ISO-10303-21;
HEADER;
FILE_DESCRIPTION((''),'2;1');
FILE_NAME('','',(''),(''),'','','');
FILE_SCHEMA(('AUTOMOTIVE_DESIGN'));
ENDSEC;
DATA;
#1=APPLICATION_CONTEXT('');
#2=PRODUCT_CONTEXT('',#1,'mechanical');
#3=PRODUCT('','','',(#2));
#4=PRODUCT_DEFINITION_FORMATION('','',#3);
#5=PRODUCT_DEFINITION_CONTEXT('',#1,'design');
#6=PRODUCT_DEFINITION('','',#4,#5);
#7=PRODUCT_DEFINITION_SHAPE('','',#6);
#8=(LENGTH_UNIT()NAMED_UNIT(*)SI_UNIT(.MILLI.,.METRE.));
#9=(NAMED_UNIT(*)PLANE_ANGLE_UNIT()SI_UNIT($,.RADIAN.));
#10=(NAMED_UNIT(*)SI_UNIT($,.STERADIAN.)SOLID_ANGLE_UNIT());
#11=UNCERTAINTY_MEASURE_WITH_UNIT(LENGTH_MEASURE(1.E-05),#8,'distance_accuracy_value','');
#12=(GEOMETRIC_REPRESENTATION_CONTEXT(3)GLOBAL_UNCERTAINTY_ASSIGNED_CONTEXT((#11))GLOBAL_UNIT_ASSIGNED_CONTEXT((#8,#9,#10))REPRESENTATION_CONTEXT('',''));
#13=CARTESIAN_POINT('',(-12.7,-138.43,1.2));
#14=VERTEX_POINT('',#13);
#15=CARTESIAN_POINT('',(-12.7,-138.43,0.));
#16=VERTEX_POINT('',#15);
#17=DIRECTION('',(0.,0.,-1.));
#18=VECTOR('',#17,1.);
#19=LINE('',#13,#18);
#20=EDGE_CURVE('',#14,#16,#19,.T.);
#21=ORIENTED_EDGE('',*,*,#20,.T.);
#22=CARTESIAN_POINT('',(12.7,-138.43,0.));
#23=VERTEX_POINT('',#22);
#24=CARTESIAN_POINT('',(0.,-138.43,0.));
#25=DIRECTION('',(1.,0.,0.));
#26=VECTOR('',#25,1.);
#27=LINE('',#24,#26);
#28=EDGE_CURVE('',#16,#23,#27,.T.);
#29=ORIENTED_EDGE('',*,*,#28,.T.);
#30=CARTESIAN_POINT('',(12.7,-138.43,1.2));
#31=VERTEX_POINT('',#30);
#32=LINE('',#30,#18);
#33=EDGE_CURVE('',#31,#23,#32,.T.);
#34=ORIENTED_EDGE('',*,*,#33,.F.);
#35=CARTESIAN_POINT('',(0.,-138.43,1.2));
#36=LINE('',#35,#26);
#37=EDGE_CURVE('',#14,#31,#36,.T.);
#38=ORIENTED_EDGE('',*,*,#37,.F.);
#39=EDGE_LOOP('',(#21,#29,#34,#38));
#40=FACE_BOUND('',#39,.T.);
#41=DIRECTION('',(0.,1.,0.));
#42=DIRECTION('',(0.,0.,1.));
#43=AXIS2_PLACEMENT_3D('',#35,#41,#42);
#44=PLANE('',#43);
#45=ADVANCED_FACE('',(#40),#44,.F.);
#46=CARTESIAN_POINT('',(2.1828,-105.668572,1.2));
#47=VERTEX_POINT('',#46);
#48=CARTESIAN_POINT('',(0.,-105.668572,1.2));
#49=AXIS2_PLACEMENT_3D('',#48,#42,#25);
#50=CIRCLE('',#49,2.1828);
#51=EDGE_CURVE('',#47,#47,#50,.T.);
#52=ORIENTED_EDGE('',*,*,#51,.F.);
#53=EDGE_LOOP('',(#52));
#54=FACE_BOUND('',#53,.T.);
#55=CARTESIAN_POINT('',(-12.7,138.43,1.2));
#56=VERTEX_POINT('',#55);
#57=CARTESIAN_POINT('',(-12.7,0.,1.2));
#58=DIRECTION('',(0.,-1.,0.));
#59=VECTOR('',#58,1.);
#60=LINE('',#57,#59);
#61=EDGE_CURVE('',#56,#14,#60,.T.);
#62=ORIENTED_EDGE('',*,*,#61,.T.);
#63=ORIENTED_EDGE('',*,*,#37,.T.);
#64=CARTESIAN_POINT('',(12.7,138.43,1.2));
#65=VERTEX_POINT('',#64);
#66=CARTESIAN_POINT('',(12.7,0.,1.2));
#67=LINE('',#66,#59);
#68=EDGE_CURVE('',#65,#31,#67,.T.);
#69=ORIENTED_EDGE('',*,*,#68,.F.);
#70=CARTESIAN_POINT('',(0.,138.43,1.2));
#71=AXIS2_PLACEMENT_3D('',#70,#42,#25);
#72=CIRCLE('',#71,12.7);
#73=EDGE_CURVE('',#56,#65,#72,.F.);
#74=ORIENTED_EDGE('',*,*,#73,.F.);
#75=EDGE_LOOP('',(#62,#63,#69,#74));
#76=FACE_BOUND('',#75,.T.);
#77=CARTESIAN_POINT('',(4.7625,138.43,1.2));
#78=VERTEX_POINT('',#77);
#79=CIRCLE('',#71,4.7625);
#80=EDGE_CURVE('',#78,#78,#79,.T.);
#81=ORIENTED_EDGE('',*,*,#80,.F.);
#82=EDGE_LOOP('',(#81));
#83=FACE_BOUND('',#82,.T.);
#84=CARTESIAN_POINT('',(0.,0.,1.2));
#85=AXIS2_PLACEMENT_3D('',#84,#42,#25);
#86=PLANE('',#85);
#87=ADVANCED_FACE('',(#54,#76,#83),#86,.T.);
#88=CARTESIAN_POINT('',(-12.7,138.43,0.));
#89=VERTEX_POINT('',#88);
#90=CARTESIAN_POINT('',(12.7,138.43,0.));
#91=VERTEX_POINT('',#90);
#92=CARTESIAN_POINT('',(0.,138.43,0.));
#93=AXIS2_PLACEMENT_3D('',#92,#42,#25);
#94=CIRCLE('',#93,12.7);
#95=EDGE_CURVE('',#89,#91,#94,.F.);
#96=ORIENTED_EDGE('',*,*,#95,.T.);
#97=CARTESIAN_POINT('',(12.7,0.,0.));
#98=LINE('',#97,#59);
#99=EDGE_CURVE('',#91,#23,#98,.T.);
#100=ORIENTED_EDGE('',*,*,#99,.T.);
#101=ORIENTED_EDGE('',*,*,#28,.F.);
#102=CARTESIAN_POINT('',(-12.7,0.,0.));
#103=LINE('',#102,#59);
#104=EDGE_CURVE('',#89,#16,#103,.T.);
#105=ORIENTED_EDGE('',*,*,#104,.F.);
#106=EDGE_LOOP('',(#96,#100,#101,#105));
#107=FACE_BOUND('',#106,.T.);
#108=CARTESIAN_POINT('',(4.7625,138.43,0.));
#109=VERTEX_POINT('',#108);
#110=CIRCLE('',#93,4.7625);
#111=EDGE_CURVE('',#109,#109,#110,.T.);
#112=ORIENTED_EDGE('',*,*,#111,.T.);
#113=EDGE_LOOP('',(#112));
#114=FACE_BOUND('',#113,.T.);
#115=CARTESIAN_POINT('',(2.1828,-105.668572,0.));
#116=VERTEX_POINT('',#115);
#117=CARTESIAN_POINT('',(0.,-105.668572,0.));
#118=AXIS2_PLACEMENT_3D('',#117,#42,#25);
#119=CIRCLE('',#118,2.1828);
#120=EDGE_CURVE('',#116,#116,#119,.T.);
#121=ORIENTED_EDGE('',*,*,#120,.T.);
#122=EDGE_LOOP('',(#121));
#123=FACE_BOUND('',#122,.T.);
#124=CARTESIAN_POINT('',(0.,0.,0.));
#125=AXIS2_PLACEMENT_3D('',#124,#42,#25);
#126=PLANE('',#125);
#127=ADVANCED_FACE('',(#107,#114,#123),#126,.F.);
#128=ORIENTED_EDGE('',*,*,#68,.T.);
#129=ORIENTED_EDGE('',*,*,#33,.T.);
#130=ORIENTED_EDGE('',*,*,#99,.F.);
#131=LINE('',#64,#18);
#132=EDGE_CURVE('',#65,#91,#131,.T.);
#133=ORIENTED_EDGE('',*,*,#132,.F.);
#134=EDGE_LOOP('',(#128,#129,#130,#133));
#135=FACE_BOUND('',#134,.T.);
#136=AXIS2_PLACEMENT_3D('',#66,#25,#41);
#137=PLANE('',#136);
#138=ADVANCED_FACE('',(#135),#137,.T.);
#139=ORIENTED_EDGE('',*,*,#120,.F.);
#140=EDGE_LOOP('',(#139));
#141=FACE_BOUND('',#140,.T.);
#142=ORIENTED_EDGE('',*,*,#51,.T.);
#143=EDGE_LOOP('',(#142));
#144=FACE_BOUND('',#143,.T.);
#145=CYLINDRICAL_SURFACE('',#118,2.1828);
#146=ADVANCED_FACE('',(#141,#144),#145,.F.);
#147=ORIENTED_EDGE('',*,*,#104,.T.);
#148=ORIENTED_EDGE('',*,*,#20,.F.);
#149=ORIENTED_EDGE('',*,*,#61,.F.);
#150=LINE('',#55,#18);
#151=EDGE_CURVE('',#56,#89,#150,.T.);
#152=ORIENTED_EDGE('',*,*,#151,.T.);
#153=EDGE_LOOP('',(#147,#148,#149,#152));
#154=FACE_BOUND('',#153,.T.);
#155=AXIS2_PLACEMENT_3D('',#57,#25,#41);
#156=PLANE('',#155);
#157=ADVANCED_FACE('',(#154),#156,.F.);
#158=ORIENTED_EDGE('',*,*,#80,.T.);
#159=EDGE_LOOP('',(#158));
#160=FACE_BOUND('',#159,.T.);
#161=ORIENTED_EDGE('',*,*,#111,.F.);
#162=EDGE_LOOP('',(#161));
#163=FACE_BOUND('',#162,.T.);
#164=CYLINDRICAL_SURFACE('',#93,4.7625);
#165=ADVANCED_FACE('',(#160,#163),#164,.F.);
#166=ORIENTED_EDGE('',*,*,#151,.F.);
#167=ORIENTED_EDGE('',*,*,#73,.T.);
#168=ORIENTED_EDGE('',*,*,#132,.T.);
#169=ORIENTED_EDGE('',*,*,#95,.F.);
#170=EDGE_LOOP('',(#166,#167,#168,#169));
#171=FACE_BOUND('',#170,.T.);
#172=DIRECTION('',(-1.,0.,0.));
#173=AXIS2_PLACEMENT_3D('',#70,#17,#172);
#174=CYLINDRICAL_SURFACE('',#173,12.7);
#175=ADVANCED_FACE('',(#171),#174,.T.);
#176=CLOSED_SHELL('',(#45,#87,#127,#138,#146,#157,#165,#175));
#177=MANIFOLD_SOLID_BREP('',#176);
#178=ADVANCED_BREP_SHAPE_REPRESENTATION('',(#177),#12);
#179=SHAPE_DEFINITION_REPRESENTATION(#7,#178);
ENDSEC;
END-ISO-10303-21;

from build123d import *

# Parameters (mm, degrees)
SKETCH1_W           = 25.4
SKETCH1_H           = 276.86
BOSS_EXTRUDE1_DEPTH = 1.2
SKETCH2_R           = 4.7625
CUT_EXTRUDE1_DEPTH  = 2.2
SKETCH3_R           = 2.1827998
CUT_EXTRUDE2_DEPTH  = 2.2


with BuildPart() as part:
    # Sketch1 → Boss-Extrude1 (new body)
    with BuildSketch(Plane.XY):
        Rectangle(SKETCH1_W, SKETCH1_H)
        with BuildLine():
            ThreePointArc((-12.7, 138.43), (0, 151.13), (12.7, 138.43))
            Line((12.7, 138.43), (-12.7, 138.43))
        make_face()
    extrude(amount=BOSS_EXTRUDE1_DEPTH)

    # Sketch2 → Cut-Extrude1 (cut, through all)
    with BuildSketch(Plane.XY.offset(1.2)):
        with Locations((0, 138.43)):
            Circle(SKETCH2_R)
    extrude(amount=-CUT_EXTRUDE1_DEPTH, mode=Mode.SUBTRACT)

    # Sketch3 → Cut-Extrude2 (cut, through all)
    with BuildSketch(Plane.XY.offset(1.2)):
        with Locations((0, -105.668572)):
            Circle(SKETCH3_R)
    extrude(amount=-CUT_EXTRUDE2_DEPTH, mode=Mode.SUBTRACT)


solid = part.part
